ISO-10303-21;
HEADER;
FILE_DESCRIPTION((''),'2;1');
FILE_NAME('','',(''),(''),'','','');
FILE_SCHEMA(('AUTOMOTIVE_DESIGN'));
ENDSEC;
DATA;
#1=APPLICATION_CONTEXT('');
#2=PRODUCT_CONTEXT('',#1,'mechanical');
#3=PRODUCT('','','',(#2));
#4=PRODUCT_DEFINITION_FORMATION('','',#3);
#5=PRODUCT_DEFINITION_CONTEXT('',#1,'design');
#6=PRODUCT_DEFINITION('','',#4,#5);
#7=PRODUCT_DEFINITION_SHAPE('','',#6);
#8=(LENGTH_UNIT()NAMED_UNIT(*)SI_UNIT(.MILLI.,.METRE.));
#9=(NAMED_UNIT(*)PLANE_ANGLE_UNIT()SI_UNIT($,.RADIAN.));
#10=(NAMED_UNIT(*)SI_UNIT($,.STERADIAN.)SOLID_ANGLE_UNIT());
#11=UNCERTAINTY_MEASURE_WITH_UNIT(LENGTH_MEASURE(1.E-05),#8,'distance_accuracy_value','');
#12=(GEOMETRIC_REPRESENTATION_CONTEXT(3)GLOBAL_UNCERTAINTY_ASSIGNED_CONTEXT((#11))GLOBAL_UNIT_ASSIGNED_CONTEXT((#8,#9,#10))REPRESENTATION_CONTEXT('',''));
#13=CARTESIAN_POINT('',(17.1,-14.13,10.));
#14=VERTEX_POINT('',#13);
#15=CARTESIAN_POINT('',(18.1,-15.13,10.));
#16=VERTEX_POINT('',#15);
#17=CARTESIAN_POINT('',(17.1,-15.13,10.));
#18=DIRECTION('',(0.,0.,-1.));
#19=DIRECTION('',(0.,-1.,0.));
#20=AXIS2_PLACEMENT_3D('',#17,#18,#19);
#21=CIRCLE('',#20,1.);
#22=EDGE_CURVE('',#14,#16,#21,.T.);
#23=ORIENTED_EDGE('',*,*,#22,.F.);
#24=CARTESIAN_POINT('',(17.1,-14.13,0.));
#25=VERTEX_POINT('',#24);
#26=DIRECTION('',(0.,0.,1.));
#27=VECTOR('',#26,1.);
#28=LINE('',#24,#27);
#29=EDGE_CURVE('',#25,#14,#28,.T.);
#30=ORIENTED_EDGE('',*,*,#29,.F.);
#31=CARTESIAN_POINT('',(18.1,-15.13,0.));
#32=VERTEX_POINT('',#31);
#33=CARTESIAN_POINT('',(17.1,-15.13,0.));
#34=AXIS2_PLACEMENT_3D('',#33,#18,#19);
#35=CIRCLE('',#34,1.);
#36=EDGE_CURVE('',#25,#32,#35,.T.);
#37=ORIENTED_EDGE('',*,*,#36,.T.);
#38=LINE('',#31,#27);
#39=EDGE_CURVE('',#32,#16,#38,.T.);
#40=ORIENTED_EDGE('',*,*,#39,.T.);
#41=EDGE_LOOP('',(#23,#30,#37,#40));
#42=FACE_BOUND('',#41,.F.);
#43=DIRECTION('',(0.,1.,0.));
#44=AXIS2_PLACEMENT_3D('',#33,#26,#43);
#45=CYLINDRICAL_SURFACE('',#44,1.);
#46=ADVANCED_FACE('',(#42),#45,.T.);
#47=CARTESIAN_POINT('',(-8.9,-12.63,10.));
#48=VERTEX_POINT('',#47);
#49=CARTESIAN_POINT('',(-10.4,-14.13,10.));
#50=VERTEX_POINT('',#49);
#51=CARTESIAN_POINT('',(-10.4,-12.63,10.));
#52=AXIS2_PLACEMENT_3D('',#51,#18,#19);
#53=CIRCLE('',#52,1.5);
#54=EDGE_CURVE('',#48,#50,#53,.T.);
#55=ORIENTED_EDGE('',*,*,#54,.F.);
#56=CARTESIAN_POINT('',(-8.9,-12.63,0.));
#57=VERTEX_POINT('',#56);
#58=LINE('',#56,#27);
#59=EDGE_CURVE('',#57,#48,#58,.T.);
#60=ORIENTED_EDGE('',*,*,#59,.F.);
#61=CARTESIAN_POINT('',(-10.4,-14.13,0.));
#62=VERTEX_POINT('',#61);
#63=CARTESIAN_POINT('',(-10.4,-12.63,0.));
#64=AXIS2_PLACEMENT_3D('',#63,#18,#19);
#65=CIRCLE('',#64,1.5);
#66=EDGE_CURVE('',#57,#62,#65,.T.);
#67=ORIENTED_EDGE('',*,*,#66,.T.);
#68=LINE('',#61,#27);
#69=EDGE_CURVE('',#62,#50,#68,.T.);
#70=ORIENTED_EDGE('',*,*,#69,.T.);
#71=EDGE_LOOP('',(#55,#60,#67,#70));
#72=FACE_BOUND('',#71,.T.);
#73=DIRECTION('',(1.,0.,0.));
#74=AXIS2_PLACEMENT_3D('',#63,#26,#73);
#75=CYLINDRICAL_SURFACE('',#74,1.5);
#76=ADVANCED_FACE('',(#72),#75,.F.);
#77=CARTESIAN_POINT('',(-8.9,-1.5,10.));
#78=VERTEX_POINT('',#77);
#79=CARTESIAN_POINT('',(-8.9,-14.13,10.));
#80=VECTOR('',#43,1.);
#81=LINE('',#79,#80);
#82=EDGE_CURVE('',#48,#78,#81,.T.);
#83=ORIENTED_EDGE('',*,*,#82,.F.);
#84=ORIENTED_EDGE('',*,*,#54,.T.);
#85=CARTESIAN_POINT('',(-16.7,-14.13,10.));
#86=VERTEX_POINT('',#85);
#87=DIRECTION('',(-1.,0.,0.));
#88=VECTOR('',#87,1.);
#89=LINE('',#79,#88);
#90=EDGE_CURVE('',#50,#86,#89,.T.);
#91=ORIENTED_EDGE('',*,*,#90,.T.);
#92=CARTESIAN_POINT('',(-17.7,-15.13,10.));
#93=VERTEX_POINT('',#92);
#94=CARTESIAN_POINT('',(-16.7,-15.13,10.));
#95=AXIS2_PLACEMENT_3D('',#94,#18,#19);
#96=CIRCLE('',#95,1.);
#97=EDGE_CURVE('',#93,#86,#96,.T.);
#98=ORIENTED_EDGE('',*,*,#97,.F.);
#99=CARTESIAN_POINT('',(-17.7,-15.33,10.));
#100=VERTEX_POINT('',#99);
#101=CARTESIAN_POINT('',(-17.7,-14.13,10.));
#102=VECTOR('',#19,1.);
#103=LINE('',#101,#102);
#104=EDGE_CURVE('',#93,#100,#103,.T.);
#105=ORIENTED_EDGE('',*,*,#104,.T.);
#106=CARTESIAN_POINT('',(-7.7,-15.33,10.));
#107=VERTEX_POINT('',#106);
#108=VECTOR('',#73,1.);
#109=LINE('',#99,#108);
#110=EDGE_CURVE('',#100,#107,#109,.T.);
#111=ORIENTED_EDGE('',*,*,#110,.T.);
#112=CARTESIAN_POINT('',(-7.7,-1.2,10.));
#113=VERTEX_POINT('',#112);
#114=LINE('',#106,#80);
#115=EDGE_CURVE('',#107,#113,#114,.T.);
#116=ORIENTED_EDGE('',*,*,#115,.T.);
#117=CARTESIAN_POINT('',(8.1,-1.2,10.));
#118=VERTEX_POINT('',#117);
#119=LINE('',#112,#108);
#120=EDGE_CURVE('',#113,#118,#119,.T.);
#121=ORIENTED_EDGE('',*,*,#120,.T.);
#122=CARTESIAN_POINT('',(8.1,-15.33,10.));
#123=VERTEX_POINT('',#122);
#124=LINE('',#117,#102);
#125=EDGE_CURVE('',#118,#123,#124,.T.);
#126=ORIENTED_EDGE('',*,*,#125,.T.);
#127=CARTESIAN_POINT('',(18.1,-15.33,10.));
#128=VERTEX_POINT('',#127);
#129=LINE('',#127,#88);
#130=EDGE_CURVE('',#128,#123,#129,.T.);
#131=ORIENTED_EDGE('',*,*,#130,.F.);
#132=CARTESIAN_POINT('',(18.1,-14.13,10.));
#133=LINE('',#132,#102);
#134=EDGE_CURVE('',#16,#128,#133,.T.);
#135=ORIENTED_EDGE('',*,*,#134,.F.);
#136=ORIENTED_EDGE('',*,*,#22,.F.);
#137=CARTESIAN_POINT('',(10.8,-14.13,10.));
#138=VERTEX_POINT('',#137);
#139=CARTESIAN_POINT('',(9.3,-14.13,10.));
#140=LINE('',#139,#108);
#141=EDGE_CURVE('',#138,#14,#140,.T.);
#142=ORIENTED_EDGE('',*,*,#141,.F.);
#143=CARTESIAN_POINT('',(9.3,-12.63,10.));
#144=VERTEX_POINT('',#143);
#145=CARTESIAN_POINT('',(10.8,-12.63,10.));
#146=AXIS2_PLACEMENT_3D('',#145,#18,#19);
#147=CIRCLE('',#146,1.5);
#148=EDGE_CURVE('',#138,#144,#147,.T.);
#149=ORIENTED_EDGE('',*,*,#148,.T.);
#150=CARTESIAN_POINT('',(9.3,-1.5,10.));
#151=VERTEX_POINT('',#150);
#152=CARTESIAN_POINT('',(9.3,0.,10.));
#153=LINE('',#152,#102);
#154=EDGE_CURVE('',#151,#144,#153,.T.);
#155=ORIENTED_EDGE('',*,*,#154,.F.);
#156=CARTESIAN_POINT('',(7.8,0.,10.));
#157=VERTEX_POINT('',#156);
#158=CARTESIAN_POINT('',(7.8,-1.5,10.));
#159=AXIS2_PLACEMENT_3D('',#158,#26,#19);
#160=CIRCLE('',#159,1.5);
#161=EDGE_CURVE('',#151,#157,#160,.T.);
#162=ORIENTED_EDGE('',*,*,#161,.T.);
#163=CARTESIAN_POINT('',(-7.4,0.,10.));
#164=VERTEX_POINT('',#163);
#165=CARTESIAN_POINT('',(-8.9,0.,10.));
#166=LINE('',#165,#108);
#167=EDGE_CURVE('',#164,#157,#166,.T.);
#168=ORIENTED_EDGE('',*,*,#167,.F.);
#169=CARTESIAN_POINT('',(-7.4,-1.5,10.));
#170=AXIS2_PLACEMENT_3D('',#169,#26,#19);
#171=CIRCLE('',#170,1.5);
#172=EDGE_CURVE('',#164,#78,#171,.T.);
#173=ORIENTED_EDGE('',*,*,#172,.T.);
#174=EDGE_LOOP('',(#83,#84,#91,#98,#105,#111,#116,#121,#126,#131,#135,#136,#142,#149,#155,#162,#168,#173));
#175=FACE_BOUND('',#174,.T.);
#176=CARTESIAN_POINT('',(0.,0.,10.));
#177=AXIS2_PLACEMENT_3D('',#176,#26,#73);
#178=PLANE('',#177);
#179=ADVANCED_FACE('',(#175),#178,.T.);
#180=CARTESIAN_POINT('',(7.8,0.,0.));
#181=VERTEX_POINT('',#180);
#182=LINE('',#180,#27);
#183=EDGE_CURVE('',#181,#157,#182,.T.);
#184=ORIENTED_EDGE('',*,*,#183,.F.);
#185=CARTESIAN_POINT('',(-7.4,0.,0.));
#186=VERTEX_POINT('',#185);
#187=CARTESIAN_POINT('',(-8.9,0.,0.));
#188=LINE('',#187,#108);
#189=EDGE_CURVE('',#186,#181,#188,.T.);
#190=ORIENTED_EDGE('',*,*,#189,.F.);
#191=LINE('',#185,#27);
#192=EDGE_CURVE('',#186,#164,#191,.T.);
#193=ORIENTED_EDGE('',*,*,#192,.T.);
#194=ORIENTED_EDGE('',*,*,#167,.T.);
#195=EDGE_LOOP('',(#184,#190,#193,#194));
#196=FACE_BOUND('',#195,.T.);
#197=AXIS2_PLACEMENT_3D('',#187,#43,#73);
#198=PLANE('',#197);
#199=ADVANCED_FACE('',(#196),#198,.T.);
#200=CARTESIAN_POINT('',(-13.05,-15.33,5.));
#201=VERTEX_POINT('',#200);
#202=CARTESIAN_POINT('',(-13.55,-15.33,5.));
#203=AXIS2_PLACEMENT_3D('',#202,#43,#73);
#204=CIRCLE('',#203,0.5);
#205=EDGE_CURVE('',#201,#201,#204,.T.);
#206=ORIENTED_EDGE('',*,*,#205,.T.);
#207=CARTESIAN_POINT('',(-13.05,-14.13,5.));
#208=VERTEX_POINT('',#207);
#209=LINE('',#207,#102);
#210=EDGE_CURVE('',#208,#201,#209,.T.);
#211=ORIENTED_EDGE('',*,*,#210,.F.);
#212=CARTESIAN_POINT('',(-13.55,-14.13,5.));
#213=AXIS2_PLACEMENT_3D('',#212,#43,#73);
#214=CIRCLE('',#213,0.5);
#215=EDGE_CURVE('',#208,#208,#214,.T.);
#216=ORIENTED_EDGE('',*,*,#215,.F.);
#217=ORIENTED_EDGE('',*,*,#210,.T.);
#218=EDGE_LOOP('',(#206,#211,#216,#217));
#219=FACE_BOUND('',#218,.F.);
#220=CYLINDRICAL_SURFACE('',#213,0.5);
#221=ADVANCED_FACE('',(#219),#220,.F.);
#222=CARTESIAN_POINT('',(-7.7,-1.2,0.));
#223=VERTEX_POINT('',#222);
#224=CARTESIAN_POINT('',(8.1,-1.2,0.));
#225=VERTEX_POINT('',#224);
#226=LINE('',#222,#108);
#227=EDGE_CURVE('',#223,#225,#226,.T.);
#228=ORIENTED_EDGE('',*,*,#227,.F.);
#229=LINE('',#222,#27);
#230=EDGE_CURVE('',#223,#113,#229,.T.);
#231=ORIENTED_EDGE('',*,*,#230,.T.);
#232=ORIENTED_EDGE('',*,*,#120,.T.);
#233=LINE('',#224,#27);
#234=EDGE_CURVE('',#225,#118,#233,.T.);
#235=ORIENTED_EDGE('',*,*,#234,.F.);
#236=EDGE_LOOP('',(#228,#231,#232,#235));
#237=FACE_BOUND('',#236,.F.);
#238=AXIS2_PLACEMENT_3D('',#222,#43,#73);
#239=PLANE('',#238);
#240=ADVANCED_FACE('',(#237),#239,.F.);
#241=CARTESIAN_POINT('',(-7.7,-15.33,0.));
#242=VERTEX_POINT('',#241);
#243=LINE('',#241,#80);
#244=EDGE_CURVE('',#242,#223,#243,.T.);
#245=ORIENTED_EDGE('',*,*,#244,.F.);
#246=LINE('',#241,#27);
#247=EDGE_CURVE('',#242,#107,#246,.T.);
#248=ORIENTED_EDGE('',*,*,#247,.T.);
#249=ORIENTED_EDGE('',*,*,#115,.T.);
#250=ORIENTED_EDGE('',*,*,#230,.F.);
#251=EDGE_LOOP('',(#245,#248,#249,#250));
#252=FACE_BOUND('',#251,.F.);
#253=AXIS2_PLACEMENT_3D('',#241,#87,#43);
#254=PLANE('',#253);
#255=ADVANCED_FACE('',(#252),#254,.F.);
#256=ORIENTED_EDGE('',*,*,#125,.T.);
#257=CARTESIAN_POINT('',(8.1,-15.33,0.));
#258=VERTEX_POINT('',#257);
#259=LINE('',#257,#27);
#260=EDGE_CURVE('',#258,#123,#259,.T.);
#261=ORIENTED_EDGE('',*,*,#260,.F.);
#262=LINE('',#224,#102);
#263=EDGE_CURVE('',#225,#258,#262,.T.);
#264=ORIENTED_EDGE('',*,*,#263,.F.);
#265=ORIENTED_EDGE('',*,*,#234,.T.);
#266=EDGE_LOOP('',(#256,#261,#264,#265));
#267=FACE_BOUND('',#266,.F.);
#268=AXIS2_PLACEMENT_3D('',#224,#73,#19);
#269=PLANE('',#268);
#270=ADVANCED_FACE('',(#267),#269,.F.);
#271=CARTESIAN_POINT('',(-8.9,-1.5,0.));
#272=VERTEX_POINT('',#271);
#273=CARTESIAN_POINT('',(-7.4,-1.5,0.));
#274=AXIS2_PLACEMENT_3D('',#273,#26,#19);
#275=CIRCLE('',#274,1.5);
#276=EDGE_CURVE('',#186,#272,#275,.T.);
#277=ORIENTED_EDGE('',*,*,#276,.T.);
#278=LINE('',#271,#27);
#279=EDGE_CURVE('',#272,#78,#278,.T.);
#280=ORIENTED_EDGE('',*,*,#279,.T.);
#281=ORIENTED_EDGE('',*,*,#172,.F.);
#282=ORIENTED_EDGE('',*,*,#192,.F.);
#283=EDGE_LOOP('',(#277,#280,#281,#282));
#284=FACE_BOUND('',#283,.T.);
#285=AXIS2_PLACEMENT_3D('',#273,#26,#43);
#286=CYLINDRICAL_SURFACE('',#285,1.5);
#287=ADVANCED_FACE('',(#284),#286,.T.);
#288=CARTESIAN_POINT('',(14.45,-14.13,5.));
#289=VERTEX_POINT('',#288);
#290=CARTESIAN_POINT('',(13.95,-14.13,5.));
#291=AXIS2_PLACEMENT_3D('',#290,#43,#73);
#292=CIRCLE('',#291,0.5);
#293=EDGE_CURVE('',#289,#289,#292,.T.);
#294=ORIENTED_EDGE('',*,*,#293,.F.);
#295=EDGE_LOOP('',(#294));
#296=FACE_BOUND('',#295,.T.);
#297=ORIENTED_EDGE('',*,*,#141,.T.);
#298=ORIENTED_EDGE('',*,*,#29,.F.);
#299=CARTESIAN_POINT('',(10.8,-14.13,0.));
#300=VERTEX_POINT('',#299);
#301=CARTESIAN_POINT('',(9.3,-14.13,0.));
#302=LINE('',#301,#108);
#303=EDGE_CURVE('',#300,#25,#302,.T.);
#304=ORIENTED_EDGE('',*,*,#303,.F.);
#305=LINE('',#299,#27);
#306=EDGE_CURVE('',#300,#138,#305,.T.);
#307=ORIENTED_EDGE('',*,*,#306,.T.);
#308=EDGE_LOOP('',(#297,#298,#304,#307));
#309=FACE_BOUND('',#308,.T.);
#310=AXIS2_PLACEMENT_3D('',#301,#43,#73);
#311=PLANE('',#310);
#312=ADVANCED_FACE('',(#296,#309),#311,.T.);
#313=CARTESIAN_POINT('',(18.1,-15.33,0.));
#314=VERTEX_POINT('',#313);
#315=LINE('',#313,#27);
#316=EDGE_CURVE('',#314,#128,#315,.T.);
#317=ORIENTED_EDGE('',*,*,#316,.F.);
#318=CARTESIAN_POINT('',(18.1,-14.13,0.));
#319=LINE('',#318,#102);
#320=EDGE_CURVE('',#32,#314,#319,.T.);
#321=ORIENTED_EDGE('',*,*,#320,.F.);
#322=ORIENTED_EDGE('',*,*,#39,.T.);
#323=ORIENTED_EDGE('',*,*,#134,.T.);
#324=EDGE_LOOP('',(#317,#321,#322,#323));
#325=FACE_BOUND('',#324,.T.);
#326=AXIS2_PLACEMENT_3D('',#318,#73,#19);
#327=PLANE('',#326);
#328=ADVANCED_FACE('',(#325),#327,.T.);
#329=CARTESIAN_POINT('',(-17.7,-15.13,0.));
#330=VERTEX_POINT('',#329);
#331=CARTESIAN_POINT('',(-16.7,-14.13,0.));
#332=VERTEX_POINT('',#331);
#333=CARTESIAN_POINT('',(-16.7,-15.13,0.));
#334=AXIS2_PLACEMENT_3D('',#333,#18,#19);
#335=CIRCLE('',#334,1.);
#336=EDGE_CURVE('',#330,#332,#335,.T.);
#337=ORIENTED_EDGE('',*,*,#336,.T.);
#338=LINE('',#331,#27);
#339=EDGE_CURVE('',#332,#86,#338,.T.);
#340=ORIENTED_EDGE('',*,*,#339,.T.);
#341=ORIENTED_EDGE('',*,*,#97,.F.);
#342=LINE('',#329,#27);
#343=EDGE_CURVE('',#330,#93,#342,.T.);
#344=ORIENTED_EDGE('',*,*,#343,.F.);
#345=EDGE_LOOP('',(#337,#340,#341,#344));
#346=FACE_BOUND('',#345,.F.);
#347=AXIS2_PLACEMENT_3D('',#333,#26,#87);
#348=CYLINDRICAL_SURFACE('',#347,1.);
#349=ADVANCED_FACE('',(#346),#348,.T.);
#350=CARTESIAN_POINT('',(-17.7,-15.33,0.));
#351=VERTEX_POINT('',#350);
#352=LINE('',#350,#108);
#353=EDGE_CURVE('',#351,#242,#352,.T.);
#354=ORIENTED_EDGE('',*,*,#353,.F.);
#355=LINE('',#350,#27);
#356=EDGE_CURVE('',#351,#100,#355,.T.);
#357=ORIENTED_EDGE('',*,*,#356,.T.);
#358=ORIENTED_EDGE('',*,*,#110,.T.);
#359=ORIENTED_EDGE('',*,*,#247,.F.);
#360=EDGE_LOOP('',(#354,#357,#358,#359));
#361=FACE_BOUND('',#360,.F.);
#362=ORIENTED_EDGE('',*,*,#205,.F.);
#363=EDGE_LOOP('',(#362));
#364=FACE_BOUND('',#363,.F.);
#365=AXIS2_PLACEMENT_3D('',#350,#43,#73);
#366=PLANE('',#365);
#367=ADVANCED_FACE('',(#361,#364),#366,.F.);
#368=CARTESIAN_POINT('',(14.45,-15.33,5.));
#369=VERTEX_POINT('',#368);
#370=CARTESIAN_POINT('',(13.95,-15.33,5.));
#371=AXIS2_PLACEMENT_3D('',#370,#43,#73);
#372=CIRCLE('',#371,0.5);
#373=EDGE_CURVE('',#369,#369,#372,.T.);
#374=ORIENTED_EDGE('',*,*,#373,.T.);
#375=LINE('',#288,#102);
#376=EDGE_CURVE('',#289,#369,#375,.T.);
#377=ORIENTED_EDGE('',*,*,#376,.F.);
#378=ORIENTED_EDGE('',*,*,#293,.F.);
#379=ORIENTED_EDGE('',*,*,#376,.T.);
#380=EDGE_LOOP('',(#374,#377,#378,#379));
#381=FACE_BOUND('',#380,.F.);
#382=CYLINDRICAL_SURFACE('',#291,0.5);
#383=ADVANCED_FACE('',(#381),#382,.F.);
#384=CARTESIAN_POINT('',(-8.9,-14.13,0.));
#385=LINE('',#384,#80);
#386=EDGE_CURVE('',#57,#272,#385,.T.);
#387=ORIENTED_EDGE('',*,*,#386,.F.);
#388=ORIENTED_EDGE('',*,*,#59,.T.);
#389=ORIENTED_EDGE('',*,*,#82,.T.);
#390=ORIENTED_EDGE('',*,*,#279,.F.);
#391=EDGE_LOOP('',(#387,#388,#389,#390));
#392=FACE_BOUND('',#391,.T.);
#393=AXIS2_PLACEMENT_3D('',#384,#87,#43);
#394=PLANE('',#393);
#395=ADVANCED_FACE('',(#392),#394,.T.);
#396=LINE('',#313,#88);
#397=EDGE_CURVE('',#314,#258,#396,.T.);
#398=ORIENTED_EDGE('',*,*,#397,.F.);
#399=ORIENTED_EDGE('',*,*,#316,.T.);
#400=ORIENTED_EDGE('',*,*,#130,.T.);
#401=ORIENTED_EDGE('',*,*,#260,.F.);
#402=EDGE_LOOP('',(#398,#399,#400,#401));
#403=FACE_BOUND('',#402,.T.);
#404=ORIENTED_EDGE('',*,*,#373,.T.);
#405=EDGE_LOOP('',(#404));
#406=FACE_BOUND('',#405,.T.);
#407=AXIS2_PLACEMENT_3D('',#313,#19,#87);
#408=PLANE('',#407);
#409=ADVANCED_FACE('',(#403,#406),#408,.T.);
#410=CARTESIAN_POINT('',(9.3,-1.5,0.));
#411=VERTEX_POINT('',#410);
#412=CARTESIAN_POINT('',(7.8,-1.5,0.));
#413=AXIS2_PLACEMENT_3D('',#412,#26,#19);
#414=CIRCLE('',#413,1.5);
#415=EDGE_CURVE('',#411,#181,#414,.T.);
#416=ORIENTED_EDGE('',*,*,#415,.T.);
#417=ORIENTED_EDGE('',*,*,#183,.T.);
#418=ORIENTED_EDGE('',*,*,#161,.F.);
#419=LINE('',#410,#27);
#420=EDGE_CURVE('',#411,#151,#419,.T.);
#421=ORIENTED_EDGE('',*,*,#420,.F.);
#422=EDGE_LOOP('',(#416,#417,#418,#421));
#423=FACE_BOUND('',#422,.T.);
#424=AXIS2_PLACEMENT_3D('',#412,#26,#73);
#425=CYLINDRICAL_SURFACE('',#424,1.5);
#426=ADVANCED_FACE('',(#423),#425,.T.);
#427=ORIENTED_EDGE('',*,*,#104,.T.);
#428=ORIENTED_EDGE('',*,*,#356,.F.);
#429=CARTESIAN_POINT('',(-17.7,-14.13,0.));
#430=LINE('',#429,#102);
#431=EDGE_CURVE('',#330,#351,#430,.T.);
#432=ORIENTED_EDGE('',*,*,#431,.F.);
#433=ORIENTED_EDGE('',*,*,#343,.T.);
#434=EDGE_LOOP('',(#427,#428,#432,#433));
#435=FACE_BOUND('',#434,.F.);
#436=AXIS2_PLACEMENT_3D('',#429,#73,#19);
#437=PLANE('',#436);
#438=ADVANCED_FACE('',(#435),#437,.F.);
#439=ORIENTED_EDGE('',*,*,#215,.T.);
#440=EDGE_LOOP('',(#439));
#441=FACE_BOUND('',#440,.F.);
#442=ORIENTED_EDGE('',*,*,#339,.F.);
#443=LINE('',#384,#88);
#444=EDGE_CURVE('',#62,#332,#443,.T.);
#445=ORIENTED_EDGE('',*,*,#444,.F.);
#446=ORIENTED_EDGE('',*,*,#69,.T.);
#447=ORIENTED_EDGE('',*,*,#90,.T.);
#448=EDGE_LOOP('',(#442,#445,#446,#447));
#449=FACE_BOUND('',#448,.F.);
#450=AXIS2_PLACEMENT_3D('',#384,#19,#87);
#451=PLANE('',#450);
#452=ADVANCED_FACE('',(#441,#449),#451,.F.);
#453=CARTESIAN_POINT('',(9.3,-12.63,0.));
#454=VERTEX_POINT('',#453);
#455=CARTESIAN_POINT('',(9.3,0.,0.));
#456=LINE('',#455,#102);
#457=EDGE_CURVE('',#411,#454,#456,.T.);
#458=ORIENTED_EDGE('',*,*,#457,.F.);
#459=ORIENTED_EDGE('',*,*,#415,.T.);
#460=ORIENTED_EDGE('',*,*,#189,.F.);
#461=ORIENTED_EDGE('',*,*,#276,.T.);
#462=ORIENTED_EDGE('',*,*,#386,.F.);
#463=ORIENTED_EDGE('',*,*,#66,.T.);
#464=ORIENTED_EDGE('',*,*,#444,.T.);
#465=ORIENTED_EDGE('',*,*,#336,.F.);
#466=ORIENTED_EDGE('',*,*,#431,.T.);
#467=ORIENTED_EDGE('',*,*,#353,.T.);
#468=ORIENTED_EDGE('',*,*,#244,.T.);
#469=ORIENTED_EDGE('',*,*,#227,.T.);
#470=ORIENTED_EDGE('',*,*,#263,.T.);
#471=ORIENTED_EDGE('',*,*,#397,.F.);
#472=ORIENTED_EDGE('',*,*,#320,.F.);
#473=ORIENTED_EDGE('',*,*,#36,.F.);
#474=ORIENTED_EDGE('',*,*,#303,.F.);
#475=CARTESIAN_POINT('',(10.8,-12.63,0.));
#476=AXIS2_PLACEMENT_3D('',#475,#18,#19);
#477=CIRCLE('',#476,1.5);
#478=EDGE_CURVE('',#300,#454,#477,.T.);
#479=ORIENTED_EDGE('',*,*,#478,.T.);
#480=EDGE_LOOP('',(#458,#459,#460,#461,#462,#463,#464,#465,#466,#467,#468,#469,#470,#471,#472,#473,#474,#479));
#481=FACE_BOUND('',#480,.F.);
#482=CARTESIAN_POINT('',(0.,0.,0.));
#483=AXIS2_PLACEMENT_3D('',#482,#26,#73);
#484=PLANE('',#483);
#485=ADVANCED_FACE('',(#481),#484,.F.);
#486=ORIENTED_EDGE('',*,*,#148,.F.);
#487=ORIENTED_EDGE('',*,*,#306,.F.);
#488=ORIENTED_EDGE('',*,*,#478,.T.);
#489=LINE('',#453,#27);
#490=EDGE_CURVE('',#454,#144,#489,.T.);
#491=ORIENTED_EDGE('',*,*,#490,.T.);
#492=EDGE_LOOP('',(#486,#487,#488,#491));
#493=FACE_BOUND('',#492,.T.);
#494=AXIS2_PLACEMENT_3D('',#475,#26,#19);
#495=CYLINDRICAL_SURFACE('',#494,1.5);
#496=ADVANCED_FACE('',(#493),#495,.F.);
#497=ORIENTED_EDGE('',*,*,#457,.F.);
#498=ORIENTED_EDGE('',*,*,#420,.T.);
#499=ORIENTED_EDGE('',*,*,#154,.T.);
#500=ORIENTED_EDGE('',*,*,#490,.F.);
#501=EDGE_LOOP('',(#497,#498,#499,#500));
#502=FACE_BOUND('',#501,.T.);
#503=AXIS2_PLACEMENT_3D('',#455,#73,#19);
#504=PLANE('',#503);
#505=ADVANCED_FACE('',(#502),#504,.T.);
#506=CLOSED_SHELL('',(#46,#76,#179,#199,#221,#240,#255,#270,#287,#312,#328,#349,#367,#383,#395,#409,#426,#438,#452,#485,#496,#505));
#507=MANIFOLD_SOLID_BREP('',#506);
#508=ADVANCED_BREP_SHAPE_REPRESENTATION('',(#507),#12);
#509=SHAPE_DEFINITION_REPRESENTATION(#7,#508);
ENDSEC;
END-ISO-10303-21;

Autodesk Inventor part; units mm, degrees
ref_plane "YZ Plane" through (0, 0, 0) normal (1, 0, 0) x (0, 1, 0)
ref_plane "XZ Plane" through (0, 0, 0) normal (0, 1, 0) x (-1, 0, 0)
ref_plane "XY Plane" through (0, 0, 0) normal (0, 0, 1) x (1, 0, 0)
sketch "Sketch1" plane through (0, 0, 0) normal (0, 0, 1) x (1, 0, 0)
  line L0 (-8.9, 0) -> (9.3, 0)
  line L1 (9.3, 0) -> (9.3, -14.13)
  line L2 (-8.9, -14.13) -> (-8.9, 0)
  line L3 (-7.7, -1.2) -> (8.1, -1.2)
  line L4 (8.1, -1.2) -> (8.1, -15.33)
  line L5 (-7.7, -15.33) -> (-7.7, -1.2)
  line L6 (-8.9, -14.13) -> (-17.7, -14.13)
  line L7 (-17.7, -14.13) -> (-17.7, -15.33)
  line L8 (-17.7, -15.33) -> (-7.7, -15.33)
  line L9 (9.3, -14.13) -> (18.1, -14.13)
  line L10 (18.1, -14.13) -> (18.1, -15.33)
  line L11 (18.1, -15.33) -> (8.1, -15.33)
  point P0 (0, 0)
  dimension "d0" = 1.2
  dimension "d1" = 1.2
  dimension "d2" = 1.2
  dimension "d3" = 15.8
  dimension "d4" = 14.13
  dimension "d5" = 10
  dimension "d6" = 10
  dimension "d7" = 1.2
  dimension "d8" = 1.2
extrude "Extrusion1" add sketch "Sketch1" along normal blind 10
sketch "Sketch2" plane through (-17.7, -14.13, 0) normal (0, 1, 0) x (1, 0, 0)
  line L0 (8.8, 0) -> (0, 0) projected
  line L1 (0, 0) -> (0, -10) projected
  line L2 (8.8, -10) -> (0, -10) projected
  line L3 (8.8, 0) -> (8.8, -10) projected
  point P0 (17.7, 0)
fillet "Fillet1" radius 1 2 edges at (18.1, -14.13, 5) (-17.7, -14.13, 5)
fillet "Fillet2" radius 1.5 4 edges at (-8.9, 0, 5) (9.3, 0, 5) (9.3, -14.13, 5) (-8.9, -14.13, 5)
sketch "Sketch3" plane through (-16.7, -14.13, 10) normal (0, 1, 0) x (1, 0, 0)
  circle A0 centre (3.15, 5) radius 0.5
  line L0 (33.8, 0) -> (27.5, 0) projected
  line L1 (27.5, 0) -> (27.5, 10) projected
  line L2 (33.8, 10) -> (27.5, 10) projected
  line L3 (33.8, 10) -> (33.8, 0) projected
  line L4 (27.5, 0) -> (27.5, 10) projected
  line L5 (33.8, 0) -> (27.5, 0) projected
  line L6 (33.8, 10) -> (33.8, 0) projected
  line L7 (33.8, 10) -> (27.5, 10) projected
  line L8 (34.8, 0) -> (33.8, 0) projected
  line L9 (33.8, 10) -> (34.8, 10) projected
  line L10 (34.8, 0) -> (34.8, 10) projected
  line L11 (33.8, 0) -> (34.8, 0) projected
  line L12 (34.8, 0) -> (34.8, 10) projected
  line L13 (34.8, 10) -> (33.8, 10) projected
  line L14 (33.8, 10) -> (33.8, 0) projected
  line L15 (34.8, 10) -> (34.8, 0) projected
  line L16 (34.8, 0) -> (34.8, 10) projected
  line L17 (34.8, 10) -> (34.8, 0) projected
  circle A1 centre (30.65, 5) radius 0.5
  point P0 (16.7, 10)
  dimension "d16" = 1
  dimension "d17" = 1
extrude "Extrusion2" cut sketch "Sketch3" against normal through all contours A0 | A1
properties part number "Batterijbevestiging"
